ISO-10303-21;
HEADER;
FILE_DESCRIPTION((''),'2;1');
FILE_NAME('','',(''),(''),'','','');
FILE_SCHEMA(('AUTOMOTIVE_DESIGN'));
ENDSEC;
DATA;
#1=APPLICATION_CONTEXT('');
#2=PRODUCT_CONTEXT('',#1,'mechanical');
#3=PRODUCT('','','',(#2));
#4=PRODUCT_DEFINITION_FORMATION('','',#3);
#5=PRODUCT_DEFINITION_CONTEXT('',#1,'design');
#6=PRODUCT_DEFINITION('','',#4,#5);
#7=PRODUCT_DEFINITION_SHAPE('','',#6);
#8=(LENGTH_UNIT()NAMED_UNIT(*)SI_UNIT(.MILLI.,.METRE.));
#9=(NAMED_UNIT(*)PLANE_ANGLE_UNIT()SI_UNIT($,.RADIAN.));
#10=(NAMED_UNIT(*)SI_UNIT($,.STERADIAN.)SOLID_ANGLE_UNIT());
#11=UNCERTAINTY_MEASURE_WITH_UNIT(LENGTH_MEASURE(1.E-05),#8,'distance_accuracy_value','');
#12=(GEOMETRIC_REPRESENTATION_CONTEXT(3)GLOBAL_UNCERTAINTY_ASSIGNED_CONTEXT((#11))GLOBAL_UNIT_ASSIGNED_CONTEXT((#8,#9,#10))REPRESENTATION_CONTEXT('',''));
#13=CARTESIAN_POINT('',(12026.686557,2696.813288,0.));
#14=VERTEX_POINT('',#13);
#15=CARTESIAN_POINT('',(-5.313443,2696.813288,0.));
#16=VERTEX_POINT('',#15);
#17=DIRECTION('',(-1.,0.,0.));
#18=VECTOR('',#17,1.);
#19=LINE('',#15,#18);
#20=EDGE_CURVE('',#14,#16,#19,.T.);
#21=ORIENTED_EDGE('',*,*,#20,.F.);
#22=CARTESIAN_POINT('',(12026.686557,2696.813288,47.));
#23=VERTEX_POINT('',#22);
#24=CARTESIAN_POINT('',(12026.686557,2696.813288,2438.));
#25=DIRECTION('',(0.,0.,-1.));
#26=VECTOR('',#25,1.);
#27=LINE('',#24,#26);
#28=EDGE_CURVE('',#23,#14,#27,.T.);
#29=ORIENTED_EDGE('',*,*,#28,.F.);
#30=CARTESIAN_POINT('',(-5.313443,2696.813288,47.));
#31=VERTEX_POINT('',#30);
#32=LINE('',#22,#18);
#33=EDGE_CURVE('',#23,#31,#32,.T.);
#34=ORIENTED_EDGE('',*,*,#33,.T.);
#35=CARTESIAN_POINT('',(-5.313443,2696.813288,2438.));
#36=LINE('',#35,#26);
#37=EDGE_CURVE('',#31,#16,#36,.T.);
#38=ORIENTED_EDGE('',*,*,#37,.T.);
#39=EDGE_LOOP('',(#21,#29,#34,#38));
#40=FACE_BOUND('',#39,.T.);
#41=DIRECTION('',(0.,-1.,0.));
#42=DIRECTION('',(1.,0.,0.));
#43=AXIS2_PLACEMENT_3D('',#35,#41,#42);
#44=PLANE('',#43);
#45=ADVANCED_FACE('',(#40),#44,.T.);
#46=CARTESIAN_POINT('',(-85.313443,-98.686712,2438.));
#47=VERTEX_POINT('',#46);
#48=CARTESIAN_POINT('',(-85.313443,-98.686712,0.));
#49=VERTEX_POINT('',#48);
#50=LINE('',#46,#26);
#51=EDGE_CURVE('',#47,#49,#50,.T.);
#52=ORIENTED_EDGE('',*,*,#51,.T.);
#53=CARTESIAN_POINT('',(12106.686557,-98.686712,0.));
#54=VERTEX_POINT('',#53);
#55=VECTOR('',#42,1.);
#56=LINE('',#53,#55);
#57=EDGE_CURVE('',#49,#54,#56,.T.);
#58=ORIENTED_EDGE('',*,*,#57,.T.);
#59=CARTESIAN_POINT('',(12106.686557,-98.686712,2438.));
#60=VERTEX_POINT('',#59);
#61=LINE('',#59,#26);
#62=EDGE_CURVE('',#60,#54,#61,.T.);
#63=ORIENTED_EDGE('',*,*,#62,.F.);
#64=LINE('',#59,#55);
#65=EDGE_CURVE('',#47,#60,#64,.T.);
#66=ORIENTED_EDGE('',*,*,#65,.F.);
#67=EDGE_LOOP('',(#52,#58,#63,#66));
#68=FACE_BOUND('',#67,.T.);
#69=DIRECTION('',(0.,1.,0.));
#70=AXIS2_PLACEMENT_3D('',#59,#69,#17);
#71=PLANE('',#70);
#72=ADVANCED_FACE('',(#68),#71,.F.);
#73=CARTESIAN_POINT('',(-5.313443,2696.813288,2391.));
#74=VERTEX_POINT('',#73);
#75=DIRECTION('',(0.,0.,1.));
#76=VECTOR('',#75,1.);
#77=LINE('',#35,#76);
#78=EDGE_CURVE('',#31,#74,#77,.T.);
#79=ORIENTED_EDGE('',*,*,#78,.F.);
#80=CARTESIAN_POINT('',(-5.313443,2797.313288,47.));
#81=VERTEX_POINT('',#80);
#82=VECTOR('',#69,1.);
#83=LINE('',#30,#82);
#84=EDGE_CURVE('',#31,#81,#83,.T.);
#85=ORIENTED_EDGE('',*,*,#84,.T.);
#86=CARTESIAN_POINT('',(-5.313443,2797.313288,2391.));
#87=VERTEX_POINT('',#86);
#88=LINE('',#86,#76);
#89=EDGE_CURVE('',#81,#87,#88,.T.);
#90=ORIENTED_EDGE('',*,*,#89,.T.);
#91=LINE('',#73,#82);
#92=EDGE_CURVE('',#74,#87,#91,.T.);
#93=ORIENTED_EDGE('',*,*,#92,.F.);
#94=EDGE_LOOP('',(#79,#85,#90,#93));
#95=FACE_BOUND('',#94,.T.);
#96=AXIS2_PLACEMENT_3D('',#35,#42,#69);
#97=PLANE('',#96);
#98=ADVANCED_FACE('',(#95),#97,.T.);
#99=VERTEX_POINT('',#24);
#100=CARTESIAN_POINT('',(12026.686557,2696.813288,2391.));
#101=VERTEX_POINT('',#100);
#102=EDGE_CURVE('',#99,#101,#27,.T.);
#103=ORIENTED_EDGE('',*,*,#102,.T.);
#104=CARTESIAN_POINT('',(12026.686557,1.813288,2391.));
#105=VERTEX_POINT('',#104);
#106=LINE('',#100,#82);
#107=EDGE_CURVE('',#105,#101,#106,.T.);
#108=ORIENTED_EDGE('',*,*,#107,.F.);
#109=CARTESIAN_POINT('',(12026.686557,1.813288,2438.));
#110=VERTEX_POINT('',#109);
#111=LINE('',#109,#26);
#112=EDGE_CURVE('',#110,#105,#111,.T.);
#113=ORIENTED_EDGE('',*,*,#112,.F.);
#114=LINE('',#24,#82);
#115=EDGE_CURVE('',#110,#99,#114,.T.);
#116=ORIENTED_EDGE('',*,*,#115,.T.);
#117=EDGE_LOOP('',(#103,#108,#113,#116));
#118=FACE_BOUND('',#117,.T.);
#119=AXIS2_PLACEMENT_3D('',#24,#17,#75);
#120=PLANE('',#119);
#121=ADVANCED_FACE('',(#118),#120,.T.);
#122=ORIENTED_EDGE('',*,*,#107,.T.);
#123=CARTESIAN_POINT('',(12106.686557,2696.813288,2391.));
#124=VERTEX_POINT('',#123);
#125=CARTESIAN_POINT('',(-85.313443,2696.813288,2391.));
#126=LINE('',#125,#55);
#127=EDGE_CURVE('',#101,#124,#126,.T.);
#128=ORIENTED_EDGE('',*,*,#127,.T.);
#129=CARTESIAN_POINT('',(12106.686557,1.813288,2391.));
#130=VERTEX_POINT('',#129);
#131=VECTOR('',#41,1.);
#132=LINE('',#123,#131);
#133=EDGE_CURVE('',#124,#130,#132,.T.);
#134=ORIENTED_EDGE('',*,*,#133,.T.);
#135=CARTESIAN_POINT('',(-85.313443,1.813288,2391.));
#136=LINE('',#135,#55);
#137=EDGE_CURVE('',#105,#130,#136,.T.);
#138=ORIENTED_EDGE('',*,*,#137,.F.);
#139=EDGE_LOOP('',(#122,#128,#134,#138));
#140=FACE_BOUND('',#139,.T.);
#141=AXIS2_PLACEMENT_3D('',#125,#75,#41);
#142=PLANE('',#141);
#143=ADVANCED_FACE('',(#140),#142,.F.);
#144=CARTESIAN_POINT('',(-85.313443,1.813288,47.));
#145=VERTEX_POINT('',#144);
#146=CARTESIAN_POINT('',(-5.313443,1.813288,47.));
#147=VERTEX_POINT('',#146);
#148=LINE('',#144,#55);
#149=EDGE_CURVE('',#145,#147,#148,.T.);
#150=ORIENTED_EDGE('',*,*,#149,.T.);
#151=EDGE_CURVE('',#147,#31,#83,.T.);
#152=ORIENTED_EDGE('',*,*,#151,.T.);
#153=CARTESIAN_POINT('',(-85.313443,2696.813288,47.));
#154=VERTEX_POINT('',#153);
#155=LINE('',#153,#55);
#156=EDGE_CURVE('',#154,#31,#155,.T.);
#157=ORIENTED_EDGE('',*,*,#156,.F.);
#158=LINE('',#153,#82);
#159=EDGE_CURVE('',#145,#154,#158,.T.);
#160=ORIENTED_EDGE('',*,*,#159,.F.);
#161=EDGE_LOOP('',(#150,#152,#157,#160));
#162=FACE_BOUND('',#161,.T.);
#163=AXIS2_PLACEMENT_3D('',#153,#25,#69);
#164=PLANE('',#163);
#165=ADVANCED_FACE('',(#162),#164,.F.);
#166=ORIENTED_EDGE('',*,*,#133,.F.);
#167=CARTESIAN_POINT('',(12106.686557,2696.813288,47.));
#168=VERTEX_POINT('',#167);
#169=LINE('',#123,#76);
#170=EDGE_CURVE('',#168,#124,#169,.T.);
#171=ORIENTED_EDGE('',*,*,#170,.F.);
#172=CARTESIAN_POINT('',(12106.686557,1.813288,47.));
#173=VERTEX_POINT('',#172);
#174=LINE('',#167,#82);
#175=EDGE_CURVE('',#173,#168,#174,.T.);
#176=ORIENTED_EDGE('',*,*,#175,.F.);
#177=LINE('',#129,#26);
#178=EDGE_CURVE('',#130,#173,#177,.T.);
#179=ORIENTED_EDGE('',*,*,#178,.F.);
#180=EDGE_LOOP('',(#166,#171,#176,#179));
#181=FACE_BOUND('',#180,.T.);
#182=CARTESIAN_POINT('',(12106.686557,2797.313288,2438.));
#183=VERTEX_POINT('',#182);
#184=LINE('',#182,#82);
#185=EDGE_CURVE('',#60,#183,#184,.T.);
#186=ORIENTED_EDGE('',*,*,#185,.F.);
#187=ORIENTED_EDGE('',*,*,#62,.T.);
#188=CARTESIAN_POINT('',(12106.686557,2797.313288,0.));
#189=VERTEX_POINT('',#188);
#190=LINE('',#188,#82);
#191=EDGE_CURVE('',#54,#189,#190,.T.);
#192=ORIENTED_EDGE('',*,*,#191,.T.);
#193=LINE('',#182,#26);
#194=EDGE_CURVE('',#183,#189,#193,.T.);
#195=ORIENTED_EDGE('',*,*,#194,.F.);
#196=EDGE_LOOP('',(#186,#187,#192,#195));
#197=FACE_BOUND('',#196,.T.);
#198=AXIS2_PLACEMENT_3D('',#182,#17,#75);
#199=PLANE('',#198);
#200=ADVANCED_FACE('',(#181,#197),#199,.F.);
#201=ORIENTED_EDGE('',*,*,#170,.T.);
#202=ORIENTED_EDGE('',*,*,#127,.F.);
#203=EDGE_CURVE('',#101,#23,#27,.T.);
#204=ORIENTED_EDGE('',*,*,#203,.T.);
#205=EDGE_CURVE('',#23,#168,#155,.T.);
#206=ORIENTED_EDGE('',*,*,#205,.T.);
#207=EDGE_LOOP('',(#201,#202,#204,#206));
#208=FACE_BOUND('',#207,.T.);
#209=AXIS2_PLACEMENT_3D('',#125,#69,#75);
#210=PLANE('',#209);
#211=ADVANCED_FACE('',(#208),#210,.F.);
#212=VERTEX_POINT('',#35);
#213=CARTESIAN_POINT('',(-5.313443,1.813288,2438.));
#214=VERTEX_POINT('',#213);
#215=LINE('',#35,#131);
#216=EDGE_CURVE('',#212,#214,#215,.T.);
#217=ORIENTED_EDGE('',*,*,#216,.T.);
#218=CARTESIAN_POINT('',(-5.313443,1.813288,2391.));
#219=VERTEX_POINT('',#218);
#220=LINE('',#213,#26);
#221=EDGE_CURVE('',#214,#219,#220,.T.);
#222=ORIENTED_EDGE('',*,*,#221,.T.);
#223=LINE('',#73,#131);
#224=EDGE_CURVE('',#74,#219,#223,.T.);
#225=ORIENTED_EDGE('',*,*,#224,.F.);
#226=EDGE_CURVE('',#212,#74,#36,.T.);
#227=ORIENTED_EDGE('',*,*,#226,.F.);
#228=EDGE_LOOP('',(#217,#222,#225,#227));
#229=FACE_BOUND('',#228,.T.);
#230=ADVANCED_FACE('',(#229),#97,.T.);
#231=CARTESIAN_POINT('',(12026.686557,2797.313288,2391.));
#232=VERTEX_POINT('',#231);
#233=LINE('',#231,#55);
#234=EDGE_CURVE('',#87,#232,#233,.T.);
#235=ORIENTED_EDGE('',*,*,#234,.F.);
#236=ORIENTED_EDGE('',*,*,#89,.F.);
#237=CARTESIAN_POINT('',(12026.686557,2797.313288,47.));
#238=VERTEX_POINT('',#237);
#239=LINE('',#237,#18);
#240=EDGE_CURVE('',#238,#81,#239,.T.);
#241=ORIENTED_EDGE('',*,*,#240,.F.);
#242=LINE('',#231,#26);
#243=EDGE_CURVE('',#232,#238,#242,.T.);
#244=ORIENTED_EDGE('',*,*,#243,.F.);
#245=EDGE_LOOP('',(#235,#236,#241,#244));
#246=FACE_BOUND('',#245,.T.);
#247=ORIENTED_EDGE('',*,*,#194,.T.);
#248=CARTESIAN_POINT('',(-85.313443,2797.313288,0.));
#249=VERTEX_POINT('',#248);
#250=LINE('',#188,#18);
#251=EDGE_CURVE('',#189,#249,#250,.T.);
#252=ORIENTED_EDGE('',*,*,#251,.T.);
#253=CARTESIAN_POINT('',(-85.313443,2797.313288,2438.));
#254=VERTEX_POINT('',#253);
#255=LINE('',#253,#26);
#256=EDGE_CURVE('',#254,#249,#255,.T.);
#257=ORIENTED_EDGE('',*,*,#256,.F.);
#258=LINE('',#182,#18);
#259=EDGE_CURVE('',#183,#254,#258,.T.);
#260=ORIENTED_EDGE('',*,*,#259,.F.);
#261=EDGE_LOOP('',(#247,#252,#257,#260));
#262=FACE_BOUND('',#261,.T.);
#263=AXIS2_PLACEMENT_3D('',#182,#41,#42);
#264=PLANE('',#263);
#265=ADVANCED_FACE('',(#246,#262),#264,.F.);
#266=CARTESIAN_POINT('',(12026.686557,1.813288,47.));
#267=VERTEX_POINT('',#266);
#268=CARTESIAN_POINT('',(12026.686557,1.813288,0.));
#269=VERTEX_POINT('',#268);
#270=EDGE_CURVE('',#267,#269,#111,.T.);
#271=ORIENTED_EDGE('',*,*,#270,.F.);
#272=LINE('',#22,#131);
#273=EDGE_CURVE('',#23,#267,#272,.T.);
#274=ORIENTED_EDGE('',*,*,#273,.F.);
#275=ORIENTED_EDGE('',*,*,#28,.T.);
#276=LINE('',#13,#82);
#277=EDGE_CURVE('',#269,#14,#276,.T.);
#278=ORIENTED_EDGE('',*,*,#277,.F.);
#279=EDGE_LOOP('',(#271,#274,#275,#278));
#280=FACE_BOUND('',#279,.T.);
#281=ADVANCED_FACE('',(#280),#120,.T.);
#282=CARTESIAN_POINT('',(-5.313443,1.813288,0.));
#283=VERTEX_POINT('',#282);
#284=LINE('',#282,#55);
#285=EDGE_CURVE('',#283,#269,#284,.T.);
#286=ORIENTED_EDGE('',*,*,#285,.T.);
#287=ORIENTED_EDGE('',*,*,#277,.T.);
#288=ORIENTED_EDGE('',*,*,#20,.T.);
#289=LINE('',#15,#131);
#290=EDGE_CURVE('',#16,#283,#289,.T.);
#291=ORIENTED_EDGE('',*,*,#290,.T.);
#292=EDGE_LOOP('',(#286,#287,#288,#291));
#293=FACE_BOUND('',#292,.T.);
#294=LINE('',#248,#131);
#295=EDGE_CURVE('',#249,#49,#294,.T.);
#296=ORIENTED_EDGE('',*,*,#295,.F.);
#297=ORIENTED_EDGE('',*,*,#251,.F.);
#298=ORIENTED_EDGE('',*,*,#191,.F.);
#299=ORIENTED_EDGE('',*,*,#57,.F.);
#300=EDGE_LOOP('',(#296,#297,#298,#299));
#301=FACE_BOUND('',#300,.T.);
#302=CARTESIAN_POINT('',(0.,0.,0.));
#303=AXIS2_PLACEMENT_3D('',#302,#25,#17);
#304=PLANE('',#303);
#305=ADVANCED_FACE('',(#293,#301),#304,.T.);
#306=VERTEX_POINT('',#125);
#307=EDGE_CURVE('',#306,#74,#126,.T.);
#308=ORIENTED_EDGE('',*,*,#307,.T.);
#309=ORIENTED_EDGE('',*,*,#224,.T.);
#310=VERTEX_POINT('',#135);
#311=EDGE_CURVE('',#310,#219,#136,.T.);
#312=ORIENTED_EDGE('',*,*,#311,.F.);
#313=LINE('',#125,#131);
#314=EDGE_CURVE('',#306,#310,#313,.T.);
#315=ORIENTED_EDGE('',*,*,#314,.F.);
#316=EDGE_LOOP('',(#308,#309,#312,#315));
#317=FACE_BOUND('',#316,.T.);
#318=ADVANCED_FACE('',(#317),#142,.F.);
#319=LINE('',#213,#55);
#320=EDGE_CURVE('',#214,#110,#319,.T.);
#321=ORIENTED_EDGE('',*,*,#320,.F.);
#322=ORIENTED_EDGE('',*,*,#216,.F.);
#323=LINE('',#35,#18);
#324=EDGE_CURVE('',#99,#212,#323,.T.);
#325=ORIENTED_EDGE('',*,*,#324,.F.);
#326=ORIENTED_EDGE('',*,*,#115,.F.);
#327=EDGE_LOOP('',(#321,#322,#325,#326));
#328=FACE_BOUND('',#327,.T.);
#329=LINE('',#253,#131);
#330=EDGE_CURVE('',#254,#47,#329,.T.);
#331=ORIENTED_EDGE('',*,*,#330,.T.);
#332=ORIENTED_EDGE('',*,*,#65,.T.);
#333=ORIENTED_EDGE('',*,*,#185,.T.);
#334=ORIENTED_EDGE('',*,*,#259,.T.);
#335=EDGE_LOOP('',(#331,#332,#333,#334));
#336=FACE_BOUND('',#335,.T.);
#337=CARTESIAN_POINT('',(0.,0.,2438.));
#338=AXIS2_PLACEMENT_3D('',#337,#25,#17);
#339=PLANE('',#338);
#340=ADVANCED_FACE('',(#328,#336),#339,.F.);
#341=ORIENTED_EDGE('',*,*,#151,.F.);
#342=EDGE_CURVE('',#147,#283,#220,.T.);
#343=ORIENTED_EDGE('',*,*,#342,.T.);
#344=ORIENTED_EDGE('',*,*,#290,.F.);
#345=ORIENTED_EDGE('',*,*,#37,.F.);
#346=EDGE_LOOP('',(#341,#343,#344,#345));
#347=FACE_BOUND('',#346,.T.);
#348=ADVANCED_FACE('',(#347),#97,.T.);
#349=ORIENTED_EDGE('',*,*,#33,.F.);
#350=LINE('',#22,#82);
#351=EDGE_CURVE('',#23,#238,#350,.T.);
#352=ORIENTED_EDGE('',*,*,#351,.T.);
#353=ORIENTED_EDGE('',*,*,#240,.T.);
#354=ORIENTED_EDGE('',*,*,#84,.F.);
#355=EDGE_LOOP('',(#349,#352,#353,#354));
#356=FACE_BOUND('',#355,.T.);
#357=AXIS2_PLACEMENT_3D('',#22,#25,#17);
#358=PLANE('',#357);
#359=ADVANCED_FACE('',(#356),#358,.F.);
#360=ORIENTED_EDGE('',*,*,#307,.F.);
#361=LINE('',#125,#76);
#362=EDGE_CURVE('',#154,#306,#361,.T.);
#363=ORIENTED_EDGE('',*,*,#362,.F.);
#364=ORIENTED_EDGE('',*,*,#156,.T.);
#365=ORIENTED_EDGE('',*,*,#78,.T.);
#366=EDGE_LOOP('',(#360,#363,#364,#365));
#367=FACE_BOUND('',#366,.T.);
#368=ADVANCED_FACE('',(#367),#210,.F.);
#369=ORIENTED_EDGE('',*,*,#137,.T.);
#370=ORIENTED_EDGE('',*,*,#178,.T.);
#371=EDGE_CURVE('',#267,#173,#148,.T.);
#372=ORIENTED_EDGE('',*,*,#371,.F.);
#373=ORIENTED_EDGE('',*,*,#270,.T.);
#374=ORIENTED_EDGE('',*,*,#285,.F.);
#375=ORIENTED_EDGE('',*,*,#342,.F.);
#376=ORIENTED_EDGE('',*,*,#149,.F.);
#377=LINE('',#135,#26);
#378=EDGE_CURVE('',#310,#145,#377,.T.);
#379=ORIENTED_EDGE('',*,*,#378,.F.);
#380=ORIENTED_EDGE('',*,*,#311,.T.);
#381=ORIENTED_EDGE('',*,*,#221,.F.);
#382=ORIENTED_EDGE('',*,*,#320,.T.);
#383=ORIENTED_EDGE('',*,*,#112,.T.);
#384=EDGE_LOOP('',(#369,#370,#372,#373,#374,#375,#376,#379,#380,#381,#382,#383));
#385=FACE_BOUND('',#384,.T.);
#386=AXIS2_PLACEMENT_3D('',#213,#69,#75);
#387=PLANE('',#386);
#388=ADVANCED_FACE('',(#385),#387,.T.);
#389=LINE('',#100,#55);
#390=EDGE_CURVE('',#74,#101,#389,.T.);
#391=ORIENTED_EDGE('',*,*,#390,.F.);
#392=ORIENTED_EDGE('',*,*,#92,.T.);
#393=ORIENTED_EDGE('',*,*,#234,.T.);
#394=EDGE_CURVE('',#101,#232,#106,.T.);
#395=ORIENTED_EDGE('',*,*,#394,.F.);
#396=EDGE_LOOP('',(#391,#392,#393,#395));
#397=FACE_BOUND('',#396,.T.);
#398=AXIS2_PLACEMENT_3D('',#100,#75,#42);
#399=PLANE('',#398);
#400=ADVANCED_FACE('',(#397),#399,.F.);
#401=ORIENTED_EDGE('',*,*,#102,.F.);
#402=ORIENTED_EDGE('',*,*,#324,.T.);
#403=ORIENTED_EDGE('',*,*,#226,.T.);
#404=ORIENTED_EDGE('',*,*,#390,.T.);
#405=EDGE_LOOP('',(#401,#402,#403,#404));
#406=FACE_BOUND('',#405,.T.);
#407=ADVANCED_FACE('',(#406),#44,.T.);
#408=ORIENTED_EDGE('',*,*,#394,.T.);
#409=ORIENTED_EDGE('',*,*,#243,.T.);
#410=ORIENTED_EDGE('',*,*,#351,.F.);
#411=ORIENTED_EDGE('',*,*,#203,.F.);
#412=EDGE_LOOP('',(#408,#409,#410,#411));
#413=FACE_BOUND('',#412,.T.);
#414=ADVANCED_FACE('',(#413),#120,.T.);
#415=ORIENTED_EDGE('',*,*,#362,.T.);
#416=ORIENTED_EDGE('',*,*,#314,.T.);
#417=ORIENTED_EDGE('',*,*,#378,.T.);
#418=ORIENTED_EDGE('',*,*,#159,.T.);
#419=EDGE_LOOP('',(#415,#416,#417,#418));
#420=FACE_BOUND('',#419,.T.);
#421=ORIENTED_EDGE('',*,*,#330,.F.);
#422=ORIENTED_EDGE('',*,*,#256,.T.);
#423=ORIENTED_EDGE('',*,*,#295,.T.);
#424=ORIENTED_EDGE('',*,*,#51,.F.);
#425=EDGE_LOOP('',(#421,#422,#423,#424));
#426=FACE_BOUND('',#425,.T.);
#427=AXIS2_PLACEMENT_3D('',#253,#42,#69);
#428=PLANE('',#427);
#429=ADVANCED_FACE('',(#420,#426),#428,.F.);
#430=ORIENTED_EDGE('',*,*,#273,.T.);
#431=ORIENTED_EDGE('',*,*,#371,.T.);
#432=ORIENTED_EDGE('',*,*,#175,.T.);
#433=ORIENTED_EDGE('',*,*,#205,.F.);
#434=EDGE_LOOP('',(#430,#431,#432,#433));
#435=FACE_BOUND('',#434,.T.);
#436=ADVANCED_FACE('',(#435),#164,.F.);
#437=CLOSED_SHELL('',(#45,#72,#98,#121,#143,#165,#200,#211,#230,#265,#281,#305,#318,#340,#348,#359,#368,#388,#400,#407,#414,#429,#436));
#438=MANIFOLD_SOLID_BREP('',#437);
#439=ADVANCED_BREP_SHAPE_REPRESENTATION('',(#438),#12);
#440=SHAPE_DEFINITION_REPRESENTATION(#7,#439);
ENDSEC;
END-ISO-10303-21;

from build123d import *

# Parameters (mm, degrees)
SKETCH1_W           = 12192
SKETCH1_H           = 2896
SKETCH1_W_2         = 12032
SKETCH1_H_2         = 2695
BOSS_EXTRUDE1_DEPTH = 2438
SKETCH5_W           = 12032
SKETCH5_H           = 2344
CUT_EXTRUDE2_DEPTH  = 100.5
SKETCH6_W           = 2344
SKETCH6_H           = 2695
CUT_EXTRUDE5_DEPTH  = 12745.162178487


with BuildPart() as part:
    # Sketch1 → Boss-Extrude1 (new body)
    with BuildSketch(Plane.XY):
        with Locations((6010.686556927, 1349.313288066)):
            Rectangle(SKETCH1_W, SKETCH1_H)
        with Locations((6010.686556927, 1349.313288066)):
            Rectangle(SKETCH1_W_2, SKETCH1_H_2, mode=Mode.SUBTRACT)
    extrude(amount=BOSS_EXTRUDE1_DEPTH)

    # Sketch5 → Cut-Extrude2 (cut)
    with BuildSketch(Plane(origin=(0, 2797.313288066, 0), x_dir=(1, 0, 0), z_dir=(0, 1, 0))):
        with Locations((6010.686556927, -1219)):
            Rectangle(SKETCH5_W, SKETCH5_H)
    extrude(amount=-CUT_EXTRUDE2_DEPTH, mode=Mode.SUBTRACT)

    # Sketch6 → Cut-Extrude5 (cut, through all)
    with BuildSketch(Plane(origin=(12106.686556927, 0, 0), x_dir=(0, 0, -1), z_dir=(1, 0, 0))):
        with Locations((-1219, 1349.313288066)):
            Rectangle(SKETCH6_W, SKETCH6_H)
    extrude(amount=-CUT_EXTRUDE5_DEPTH, mode=Mode.SUBTRACT)


solid = part.part
